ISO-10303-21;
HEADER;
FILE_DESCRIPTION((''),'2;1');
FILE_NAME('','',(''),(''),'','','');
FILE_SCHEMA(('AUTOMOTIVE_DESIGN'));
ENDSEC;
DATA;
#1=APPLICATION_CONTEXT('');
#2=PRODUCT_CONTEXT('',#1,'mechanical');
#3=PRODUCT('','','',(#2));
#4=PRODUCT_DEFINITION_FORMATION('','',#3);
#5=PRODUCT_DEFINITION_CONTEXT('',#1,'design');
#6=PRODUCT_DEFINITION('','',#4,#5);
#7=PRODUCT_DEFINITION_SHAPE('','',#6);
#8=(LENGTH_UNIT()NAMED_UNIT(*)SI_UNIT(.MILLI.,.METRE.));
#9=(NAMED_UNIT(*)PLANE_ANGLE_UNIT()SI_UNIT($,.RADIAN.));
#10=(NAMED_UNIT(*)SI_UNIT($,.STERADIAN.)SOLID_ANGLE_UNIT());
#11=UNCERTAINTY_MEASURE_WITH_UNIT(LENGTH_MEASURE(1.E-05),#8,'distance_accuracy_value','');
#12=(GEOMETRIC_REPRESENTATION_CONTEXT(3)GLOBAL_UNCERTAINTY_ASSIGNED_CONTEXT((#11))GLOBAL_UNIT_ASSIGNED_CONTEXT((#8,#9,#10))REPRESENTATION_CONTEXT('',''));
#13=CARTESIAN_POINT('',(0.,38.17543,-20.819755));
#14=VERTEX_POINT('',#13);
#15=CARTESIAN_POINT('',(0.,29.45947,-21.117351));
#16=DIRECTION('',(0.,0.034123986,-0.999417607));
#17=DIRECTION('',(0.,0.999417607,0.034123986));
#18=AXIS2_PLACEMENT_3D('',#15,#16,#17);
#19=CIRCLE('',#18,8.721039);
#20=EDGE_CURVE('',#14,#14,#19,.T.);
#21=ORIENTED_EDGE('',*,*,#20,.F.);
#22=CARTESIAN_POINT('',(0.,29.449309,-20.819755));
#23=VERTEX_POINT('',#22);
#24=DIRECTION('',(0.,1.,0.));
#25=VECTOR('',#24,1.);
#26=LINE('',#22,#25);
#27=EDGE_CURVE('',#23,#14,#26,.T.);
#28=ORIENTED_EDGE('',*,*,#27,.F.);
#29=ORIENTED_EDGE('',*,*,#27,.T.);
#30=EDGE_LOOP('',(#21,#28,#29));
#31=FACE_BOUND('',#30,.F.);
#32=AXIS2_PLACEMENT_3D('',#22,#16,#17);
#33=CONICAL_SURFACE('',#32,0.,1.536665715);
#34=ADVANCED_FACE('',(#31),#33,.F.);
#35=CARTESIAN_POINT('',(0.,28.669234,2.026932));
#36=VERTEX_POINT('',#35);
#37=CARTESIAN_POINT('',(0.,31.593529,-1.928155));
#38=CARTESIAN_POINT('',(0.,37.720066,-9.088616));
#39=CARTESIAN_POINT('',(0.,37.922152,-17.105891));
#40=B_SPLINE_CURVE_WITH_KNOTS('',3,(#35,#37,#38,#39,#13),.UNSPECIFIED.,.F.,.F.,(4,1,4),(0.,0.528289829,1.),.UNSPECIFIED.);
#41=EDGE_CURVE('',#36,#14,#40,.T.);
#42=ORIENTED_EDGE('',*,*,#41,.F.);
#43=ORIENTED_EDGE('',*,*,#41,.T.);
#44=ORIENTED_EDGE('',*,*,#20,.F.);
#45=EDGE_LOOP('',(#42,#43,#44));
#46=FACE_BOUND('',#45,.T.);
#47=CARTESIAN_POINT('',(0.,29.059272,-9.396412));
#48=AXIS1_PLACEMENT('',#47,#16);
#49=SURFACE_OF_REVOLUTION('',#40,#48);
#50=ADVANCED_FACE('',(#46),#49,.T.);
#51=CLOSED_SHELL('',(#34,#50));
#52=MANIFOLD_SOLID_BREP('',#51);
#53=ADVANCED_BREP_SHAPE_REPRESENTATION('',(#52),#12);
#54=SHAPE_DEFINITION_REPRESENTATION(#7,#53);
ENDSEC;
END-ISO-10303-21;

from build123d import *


with BuildPart() as f1:
    # F0 (on Right) → F1 (revolve)
    with BuildSketch(Plane.YZ):
        with BuildLine():
            add(Edge.make_bspline(
                [(28.6692344072, 2.0269317444), (31.5935294716, -1.9281548029), (37.7200663179, -9.0886155875), (37.9221523506, -17.1058912579), (38.175430183, -20.8197547563)],
                knots=[0, 0, 0, 0, 0.5282898293, 1, 1, 1, 1], degree=3))
            Line((28.6692344072, 2.0269317444), (29.4493087223, -20.8197547563))
            Line((29.4493087223, -20.8197547563), (38.175430183, -20.8197547563))
        make_face()
    revolve(axis=Axis((0, 29.0592715648, -9.396411506), (0, 0.0341239858, -0.9994176072)))


solid = f1.part
